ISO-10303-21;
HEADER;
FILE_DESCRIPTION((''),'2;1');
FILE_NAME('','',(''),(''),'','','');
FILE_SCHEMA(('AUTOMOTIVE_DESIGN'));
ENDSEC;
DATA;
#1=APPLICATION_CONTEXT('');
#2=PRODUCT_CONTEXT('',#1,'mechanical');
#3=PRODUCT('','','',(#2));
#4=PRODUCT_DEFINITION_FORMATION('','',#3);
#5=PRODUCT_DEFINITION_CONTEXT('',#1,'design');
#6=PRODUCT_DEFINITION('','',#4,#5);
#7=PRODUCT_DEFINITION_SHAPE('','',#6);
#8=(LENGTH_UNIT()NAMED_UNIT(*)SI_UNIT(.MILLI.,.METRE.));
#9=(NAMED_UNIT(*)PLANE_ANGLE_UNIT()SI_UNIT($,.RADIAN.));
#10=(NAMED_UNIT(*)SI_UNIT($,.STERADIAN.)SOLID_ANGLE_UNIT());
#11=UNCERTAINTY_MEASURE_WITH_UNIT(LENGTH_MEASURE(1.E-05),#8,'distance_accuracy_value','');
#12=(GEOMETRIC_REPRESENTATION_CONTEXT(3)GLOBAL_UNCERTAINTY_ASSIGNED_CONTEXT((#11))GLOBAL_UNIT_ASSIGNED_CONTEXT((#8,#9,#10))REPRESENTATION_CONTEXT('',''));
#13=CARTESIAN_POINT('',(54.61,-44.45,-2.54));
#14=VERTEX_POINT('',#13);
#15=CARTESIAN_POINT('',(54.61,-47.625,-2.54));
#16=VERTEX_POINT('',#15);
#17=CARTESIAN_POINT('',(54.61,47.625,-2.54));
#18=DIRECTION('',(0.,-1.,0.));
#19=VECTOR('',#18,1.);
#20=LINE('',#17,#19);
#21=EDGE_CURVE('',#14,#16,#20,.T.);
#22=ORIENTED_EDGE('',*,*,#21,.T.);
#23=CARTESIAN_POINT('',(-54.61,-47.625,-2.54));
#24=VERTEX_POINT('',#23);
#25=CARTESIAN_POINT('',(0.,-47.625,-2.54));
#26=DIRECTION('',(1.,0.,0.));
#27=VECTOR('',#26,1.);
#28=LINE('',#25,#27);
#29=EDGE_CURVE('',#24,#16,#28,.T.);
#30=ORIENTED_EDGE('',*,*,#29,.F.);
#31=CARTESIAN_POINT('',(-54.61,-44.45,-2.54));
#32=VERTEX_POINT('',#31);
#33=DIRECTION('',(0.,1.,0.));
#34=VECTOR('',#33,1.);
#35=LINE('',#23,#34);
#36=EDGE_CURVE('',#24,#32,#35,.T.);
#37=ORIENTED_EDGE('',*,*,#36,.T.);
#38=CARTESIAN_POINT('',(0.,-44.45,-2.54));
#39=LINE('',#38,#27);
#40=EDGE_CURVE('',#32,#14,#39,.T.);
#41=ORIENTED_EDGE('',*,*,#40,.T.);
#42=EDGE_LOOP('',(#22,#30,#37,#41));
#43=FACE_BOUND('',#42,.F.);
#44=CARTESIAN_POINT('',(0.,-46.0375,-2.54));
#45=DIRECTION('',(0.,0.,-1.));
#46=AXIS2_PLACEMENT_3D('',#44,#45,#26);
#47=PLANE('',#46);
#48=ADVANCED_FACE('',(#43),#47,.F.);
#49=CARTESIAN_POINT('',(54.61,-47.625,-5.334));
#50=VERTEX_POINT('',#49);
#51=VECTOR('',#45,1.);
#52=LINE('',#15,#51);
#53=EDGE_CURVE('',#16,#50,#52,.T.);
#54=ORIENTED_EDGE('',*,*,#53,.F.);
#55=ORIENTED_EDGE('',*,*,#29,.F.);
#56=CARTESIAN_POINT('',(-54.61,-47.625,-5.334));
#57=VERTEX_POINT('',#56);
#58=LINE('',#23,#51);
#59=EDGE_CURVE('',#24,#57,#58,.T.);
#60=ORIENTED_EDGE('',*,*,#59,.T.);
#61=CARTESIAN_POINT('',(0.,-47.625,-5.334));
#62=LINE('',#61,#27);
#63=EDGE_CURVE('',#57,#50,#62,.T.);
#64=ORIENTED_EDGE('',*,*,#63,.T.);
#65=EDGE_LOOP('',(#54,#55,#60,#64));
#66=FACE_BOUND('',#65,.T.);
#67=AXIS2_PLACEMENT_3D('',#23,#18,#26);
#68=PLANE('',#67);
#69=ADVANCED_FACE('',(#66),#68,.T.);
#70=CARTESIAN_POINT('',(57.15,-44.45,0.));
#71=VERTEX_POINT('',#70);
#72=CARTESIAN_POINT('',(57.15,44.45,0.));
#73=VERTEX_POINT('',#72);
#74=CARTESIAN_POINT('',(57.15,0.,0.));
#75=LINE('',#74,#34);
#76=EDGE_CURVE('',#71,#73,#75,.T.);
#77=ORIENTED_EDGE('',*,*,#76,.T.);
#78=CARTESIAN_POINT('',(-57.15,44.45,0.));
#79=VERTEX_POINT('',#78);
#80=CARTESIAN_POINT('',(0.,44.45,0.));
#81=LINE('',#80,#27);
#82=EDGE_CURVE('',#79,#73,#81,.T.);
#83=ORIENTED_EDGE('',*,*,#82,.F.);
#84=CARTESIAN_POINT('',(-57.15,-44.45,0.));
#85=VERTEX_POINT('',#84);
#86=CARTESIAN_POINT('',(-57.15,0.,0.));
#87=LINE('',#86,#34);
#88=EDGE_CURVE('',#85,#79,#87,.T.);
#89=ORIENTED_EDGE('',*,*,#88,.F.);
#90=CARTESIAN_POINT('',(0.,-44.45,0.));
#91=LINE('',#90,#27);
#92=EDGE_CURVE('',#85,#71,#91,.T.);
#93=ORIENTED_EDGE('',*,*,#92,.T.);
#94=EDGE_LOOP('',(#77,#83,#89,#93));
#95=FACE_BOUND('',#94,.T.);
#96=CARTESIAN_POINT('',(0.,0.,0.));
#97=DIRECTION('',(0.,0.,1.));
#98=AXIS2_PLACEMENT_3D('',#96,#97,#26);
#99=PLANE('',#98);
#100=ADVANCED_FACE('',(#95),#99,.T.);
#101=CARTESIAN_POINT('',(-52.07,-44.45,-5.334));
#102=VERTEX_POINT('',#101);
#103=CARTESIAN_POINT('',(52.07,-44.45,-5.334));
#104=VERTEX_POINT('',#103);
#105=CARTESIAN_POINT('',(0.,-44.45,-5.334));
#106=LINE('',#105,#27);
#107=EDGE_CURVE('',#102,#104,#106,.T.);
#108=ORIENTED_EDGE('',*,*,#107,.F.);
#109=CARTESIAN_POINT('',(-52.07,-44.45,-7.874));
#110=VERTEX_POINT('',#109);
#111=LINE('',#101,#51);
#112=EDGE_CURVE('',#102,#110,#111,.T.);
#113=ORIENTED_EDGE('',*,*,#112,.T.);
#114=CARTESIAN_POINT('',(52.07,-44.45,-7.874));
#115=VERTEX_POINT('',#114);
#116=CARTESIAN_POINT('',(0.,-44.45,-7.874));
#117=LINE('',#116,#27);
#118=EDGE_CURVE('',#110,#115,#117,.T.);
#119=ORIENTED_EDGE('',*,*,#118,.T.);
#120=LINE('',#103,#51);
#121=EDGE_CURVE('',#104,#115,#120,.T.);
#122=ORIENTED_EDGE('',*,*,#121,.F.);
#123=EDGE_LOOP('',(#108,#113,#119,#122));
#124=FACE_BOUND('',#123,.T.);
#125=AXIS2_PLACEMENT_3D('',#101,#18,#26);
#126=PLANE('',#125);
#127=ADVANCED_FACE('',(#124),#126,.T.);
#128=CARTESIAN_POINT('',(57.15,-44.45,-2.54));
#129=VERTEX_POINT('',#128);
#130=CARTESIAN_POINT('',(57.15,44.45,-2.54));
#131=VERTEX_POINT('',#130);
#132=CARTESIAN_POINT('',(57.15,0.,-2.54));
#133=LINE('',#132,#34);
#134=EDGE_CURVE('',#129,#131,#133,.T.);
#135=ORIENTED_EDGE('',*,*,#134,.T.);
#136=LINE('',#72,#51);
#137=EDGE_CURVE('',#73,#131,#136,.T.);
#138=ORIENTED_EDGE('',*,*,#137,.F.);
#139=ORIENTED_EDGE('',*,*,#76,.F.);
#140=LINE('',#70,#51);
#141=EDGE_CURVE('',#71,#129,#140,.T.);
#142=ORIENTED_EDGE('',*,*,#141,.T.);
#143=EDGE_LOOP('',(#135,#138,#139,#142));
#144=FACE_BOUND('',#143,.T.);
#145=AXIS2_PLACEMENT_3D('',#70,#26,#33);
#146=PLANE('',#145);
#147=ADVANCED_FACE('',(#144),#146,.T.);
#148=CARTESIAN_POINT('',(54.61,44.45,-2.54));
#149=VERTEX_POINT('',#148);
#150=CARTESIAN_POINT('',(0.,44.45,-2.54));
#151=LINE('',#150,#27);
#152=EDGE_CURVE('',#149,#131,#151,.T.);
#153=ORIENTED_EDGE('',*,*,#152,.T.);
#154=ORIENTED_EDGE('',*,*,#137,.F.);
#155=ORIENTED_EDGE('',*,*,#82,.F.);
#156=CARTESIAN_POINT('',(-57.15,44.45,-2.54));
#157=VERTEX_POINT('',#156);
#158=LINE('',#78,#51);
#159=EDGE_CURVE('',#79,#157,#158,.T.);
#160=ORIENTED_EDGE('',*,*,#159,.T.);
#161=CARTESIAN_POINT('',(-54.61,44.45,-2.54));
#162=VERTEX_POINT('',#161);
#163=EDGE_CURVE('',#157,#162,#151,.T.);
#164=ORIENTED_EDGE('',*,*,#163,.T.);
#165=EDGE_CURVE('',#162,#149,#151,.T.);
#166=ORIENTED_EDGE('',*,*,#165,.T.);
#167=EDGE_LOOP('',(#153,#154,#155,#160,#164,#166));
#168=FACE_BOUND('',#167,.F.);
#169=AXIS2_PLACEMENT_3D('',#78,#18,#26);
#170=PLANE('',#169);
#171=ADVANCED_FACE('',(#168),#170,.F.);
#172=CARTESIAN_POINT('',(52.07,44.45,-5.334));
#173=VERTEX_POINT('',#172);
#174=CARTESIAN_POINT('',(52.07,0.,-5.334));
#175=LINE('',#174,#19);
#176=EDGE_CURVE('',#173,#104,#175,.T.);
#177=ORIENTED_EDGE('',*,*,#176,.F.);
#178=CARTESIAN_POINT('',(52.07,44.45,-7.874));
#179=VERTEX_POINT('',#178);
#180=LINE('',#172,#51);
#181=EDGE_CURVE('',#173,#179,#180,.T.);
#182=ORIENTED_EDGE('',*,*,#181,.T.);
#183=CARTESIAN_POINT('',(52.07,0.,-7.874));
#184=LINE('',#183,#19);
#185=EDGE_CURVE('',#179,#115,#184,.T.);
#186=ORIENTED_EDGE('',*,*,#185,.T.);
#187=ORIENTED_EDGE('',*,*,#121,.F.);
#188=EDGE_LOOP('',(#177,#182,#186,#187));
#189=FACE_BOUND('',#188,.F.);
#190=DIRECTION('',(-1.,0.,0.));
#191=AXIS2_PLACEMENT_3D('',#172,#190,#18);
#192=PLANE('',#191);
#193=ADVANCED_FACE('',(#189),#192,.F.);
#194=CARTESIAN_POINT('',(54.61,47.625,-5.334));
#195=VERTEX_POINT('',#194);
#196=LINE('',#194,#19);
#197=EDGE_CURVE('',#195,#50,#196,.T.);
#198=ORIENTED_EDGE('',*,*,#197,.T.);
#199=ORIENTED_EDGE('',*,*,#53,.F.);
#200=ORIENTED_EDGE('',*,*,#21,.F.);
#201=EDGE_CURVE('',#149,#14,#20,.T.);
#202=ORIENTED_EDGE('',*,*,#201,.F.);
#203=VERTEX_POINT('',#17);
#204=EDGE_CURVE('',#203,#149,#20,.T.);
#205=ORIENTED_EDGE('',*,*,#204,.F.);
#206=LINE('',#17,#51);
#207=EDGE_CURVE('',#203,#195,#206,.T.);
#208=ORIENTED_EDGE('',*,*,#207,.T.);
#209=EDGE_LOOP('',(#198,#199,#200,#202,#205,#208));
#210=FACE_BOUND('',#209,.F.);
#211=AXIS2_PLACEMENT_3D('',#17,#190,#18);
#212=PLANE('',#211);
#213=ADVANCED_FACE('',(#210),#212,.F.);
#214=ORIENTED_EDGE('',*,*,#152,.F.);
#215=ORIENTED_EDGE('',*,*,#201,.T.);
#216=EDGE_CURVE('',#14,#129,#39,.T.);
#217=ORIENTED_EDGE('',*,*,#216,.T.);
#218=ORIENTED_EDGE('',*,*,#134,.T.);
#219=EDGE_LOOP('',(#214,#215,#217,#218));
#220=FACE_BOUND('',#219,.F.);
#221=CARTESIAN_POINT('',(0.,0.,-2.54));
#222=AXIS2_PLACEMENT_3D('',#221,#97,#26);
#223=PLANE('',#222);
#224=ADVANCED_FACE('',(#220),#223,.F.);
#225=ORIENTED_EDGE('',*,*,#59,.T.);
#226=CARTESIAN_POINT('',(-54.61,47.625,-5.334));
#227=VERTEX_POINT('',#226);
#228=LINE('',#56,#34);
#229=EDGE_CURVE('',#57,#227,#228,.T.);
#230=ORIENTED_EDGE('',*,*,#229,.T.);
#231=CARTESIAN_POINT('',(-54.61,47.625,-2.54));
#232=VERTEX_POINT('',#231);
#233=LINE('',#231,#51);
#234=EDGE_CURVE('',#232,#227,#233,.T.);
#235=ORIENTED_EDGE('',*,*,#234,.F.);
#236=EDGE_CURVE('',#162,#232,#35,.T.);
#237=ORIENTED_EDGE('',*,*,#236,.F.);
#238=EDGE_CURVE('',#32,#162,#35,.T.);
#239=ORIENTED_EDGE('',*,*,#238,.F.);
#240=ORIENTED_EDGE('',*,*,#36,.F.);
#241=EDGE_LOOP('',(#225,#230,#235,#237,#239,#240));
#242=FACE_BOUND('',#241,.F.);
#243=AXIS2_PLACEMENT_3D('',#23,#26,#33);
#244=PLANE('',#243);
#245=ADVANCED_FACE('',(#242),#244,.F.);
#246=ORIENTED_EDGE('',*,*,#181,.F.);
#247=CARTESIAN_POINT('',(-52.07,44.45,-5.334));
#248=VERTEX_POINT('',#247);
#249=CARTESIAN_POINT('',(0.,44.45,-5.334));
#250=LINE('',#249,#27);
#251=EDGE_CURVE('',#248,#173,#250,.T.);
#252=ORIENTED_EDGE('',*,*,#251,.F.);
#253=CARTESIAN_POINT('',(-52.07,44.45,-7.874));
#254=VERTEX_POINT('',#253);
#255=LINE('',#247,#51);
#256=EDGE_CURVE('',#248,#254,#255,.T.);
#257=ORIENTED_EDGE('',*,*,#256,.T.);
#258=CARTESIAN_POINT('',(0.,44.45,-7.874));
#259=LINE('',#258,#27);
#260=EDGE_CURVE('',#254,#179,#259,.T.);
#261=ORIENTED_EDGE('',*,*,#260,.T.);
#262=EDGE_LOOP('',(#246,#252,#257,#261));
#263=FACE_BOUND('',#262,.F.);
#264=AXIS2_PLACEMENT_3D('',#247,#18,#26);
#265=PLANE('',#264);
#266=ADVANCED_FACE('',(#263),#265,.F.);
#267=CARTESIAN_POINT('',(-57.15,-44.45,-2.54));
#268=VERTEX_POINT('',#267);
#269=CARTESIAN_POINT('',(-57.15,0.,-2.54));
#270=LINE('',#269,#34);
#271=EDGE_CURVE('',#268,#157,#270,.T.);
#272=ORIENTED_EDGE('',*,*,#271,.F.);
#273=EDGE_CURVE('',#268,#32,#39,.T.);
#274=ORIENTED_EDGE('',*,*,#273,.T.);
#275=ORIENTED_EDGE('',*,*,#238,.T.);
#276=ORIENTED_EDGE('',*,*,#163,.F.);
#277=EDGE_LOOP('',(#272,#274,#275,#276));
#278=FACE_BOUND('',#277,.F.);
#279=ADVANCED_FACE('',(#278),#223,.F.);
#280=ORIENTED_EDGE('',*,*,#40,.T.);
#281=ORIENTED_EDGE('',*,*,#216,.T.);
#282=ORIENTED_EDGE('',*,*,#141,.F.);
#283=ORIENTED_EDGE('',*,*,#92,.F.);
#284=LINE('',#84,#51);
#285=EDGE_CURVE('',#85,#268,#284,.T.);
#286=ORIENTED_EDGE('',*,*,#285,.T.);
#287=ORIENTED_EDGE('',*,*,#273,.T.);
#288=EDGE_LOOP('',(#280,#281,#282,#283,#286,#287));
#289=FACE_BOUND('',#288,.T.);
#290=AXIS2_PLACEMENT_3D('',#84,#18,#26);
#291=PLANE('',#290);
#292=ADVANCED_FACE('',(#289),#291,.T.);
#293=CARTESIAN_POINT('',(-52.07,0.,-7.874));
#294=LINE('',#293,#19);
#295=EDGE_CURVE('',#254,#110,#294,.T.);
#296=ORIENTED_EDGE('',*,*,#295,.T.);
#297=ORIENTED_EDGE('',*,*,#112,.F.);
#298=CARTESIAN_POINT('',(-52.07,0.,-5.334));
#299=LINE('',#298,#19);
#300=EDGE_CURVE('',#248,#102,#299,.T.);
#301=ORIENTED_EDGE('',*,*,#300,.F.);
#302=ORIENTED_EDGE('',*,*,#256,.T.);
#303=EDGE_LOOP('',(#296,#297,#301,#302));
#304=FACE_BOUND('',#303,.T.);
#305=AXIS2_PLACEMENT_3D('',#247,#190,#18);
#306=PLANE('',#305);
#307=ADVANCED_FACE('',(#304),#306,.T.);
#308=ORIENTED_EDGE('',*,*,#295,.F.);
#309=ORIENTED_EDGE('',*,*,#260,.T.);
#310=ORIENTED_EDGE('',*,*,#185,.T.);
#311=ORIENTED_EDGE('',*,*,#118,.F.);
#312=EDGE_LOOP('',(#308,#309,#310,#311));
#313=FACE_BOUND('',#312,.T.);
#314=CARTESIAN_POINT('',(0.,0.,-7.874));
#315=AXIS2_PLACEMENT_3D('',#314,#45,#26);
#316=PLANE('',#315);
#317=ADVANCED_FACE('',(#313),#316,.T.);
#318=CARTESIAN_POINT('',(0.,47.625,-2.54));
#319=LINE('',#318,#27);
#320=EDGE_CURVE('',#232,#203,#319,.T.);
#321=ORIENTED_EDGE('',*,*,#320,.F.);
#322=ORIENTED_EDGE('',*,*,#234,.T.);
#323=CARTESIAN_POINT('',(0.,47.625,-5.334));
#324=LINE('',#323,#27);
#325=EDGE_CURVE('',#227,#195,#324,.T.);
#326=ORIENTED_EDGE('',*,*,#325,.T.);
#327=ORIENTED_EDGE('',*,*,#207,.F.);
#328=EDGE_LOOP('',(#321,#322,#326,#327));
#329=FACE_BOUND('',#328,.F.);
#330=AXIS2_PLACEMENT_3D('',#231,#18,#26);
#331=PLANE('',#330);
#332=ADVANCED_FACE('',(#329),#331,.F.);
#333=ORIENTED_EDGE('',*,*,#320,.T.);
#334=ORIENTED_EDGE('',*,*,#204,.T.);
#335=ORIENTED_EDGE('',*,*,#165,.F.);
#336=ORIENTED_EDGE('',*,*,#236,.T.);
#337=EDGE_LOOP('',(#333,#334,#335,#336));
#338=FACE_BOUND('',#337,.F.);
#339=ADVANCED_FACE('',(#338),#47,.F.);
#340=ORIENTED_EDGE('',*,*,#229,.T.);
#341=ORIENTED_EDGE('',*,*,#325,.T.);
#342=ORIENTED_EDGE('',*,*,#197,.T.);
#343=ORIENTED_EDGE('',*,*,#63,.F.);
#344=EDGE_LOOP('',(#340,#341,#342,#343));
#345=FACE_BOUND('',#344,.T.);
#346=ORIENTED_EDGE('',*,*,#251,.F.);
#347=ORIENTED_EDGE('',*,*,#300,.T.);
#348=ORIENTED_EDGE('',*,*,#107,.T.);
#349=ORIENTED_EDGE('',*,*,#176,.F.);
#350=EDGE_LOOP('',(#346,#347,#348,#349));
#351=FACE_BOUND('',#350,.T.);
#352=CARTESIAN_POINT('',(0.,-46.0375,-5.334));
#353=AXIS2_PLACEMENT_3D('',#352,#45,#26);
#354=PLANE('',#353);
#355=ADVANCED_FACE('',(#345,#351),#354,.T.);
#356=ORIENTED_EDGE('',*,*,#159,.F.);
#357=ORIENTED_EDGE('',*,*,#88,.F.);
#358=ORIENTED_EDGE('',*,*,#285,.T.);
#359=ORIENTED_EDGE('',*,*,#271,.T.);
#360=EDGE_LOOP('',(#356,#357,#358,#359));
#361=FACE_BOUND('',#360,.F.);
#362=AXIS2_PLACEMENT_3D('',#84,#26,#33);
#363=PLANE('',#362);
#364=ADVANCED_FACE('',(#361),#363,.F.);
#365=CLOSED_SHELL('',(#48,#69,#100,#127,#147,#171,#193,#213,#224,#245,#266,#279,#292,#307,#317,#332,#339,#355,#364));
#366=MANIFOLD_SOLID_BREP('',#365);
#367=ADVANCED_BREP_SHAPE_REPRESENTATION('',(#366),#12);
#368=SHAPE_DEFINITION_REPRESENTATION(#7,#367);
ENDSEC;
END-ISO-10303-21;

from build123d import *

# Parameters (mm, degrees)
F0_W     = 114.3
F0_H     = 88.9
F1_DEPTH = 2.54
F2_W     = 109.22
F2_H     = 3.175
F2_H_2   = 88.9
F3_DEPTH = 2.794
F4_W     = 104.14
F4_H     = 88.9
F5_DEPTH = 2.54


with BuildPart() as f1:
    # F0 (on Top) → F1 (new body)
    with BuildSketch(Plane.XY):
        Rectangle(F0_W, F0_H)
    extrude(amount=-F1_DEPTH)

    # F2 (on face) → F3 (join)
    with BuildSketch(Plane(origin=(0, 0, -2.54), x_dir=(1, 0, 0), z_dir=(0, 0, -1))):
        with Locations((0, 46.0375)):
            Rectangle(F2_W, F2_H)
        Rectangle(F2_W, F2_H_2)
        with Locations((0, -46.0375)):
            Rectangle(F2_W, F2_H)
    extrude(amount=F3_DEPTH)

    # F4 (on face) → F5 (join)
    with BuildSketch(Plane(origin=(0, 0, -5.334), x_dir=(1, 0, 0), z_dir=(0, 0, -1))):
        Rectangle(F4_W, F4_H)
    extrude(amount=F5_DEPTH)


solid = f1.part
